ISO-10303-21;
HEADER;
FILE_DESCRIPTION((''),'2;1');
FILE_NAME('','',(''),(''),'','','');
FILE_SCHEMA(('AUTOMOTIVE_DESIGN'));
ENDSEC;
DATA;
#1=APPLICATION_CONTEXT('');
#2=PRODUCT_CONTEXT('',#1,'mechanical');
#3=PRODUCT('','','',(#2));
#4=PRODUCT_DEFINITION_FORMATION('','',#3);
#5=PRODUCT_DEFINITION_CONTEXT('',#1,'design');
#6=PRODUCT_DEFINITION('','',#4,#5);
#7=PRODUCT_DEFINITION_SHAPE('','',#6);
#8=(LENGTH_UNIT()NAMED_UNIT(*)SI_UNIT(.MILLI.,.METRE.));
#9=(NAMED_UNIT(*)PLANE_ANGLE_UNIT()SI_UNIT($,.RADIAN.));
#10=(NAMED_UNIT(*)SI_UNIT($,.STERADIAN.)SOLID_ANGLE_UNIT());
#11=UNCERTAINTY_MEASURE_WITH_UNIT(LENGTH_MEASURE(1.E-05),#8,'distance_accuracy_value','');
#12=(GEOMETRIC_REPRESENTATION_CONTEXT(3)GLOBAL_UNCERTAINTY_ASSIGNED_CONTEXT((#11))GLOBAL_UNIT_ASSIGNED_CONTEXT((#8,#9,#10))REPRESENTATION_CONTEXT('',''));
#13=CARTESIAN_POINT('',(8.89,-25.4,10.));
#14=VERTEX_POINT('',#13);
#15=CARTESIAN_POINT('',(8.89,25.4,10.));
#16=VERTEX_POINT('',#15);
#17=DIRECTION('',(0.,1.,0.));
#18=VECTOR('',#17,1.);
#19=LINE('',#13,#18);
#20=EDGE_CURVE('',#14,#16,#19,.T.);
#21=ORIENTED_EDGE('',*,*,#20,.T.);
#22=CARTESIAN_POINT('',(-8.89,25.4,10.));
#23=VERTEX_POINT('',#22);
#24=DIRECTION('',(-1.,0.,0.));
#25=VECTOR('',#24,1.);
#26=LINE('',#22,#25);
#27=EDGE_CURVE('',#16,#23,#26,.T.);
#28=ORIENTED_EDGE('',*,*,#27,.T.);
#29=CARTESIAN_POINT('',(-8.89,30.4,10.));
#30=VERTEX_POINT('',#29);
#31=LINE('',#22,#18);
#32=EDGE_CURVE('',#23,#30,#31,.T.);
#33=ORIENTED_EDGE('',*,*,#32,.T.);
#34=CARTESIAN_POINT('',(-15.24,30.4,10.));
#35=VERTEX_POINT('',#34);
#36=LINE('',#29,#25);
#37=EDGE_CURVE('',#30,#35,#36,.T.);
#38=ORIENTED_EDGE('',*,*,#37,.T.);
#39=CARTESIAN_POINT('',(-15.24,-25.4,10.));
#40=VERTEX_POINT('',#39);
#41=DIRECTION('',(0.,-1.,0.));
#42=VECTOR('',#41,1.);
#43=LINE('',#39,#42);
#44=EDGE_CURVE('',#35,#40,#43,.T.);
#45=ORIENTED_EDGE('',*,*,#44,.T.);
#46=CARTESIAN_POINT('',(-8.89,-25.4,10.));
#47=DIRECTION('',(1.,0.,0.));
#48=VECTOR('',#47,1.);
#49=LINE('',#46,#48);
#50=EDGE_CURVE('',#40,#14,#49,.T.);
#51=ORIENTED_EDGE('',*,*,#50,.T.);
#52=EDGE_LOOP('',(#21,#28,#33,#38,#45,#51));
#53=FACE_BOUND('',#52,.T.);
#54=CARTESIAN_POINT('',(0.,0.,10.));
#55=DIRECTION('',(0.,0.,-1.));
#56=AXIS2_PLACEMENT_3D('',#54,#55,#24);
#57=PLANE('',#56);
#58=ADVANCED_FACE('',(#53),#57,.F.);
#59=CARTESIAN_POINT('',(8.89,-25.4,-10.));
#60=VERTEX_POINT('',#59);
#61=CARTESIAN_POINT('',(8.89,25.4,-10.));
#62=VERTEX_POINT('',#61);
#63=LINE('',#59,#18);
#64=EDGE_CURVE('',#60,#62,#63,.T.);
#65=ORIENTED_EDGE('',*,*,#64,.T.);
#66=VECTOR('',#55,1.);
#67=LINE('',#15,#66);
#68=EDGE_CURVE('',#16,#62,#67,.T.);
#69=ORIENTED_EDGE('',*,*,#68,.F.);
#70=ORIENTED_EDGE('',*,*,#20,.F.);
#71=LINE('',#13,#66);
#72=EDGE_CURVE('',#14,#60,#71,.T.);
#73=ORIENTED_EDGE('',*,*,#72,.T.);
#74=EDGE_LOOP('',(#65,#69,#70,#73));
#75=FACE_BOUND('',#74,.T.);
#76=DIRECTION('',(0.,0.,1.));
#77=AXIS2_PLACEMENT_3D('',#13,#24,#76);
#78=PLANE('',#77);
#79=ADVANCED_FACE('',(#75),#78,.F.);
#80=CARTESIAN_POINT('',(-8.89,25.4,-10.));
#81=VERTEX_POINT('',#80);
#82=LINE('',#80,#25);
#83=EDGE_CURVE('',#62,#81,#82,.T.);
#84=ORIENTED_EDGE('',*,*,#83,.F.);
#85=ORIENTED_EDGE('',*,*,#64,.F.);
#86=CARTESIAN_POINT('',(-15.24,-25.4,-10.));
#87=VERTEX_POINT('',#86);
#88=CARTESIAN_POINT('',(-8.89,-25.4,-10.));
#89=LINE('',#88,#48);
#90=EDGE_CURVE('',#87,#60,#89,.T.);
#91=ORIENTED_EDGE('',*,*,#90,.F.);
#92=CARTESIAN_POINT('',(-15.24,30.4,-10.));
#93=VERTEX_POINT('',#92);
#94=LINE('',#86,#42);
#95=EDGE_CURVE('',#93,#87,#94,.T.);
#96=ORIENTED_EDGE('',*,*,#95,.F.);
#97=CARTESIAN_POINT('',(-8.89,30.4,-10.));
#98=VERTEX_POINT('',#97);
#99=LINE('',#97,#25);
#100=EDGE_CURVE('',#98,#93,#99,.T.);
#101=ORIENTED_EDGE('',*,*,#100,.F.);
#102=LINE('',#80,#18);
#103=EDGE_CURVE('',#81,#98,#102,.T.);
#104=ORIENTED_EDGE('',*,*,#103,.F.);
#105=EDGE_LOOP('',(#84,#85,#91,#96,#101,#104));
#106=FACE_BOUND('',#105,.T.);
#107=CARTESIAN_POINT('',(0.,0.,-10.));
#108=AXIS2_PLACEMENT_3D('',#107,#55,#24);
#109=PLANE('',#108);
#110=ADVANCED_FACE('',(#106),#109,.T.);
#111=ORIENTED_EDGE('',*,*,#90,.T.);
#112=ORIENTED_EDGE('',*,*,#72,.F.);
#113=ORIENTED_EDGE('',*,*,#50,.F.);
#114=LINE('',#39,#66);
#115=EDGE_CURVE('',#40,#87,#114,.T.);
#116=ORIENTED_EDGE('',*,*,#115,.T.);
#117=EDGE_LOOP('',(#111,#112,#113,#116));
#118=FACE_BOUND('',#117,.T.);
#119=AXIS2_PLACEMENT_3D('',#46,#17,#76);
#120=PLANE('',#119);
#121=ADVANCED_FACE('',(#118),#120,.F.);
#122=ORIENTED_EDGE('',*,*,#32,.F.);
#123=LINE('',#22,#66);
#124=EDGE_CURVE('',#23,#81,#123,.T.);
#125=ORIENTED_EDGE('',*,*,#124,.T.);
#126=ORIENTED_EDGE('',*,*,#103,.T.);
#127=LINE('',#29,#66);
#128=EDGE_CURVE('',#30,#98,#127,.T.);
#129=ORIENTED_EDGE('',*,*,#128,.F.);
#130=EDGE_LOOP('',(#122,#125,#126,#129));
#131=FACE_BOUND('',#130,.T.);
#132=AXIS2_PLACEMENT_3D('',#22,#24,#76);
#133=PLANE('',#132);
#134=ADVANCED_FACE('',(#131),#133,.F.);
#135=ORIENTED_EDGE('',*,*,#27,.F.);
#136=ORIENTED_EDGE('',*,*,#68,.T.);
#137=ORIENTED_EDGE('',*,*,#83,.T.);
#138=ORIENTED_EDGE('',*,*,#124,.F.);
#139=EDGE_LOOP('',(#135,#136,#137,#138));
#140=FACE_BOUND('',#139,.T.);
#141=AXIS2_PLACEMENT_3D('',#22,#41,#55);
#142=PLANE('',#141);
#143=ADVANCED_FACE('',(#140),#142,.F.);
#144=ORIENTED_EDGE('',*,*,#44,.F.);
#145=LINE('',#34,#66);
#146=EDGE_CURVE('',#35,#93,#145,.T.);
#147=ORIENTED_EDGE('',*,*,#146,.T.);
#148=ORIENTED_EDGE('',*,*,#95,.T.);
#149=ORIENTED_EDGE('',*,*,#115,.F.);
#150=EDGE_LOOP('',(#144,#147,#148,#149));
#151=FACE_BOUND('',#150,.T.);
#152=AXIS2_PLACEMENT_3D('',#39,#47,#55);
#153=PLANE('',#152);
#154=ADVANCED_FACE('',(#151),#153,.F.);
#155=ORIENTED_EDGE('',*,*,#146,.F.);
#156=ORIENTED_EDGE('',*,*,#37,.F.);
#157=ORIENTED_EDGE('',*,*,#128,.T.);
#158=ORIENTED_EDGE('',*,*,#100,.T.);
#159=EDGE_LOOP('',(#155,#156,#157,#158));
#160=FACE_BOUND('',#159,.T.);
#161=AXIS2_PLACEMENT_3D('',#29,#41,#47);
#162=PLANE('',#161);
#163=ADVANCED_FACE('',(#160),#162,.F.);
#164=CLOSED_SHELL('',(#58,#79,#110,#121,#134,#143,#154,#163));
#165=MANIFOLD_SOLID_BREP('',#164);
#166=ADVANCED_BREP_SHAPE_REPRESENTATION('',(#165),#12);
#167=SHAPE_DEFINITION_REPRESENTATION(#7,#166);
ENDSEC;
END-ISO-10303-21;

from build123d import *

# Parameters (mm, degrees)
BOSS_EXTRUDE1_DEPTH = 10


with BuildPart() as part:
    # Sketch1 → Boss-Extrude1 (new body, symmetric)
    with BuildSketch(Plane.XY):
        Polygon((-8.89, -25.4), (8.89, -25.4), (8.89, 25.4), (-8.89, 25.4), (-8.89, 30.4), (-15.24, 30.4), (-15.24, -25.4), align=None)
    extrude(amount=BOSS_EXTRUDE1_DEPTH, both=True)


solid = part.part
